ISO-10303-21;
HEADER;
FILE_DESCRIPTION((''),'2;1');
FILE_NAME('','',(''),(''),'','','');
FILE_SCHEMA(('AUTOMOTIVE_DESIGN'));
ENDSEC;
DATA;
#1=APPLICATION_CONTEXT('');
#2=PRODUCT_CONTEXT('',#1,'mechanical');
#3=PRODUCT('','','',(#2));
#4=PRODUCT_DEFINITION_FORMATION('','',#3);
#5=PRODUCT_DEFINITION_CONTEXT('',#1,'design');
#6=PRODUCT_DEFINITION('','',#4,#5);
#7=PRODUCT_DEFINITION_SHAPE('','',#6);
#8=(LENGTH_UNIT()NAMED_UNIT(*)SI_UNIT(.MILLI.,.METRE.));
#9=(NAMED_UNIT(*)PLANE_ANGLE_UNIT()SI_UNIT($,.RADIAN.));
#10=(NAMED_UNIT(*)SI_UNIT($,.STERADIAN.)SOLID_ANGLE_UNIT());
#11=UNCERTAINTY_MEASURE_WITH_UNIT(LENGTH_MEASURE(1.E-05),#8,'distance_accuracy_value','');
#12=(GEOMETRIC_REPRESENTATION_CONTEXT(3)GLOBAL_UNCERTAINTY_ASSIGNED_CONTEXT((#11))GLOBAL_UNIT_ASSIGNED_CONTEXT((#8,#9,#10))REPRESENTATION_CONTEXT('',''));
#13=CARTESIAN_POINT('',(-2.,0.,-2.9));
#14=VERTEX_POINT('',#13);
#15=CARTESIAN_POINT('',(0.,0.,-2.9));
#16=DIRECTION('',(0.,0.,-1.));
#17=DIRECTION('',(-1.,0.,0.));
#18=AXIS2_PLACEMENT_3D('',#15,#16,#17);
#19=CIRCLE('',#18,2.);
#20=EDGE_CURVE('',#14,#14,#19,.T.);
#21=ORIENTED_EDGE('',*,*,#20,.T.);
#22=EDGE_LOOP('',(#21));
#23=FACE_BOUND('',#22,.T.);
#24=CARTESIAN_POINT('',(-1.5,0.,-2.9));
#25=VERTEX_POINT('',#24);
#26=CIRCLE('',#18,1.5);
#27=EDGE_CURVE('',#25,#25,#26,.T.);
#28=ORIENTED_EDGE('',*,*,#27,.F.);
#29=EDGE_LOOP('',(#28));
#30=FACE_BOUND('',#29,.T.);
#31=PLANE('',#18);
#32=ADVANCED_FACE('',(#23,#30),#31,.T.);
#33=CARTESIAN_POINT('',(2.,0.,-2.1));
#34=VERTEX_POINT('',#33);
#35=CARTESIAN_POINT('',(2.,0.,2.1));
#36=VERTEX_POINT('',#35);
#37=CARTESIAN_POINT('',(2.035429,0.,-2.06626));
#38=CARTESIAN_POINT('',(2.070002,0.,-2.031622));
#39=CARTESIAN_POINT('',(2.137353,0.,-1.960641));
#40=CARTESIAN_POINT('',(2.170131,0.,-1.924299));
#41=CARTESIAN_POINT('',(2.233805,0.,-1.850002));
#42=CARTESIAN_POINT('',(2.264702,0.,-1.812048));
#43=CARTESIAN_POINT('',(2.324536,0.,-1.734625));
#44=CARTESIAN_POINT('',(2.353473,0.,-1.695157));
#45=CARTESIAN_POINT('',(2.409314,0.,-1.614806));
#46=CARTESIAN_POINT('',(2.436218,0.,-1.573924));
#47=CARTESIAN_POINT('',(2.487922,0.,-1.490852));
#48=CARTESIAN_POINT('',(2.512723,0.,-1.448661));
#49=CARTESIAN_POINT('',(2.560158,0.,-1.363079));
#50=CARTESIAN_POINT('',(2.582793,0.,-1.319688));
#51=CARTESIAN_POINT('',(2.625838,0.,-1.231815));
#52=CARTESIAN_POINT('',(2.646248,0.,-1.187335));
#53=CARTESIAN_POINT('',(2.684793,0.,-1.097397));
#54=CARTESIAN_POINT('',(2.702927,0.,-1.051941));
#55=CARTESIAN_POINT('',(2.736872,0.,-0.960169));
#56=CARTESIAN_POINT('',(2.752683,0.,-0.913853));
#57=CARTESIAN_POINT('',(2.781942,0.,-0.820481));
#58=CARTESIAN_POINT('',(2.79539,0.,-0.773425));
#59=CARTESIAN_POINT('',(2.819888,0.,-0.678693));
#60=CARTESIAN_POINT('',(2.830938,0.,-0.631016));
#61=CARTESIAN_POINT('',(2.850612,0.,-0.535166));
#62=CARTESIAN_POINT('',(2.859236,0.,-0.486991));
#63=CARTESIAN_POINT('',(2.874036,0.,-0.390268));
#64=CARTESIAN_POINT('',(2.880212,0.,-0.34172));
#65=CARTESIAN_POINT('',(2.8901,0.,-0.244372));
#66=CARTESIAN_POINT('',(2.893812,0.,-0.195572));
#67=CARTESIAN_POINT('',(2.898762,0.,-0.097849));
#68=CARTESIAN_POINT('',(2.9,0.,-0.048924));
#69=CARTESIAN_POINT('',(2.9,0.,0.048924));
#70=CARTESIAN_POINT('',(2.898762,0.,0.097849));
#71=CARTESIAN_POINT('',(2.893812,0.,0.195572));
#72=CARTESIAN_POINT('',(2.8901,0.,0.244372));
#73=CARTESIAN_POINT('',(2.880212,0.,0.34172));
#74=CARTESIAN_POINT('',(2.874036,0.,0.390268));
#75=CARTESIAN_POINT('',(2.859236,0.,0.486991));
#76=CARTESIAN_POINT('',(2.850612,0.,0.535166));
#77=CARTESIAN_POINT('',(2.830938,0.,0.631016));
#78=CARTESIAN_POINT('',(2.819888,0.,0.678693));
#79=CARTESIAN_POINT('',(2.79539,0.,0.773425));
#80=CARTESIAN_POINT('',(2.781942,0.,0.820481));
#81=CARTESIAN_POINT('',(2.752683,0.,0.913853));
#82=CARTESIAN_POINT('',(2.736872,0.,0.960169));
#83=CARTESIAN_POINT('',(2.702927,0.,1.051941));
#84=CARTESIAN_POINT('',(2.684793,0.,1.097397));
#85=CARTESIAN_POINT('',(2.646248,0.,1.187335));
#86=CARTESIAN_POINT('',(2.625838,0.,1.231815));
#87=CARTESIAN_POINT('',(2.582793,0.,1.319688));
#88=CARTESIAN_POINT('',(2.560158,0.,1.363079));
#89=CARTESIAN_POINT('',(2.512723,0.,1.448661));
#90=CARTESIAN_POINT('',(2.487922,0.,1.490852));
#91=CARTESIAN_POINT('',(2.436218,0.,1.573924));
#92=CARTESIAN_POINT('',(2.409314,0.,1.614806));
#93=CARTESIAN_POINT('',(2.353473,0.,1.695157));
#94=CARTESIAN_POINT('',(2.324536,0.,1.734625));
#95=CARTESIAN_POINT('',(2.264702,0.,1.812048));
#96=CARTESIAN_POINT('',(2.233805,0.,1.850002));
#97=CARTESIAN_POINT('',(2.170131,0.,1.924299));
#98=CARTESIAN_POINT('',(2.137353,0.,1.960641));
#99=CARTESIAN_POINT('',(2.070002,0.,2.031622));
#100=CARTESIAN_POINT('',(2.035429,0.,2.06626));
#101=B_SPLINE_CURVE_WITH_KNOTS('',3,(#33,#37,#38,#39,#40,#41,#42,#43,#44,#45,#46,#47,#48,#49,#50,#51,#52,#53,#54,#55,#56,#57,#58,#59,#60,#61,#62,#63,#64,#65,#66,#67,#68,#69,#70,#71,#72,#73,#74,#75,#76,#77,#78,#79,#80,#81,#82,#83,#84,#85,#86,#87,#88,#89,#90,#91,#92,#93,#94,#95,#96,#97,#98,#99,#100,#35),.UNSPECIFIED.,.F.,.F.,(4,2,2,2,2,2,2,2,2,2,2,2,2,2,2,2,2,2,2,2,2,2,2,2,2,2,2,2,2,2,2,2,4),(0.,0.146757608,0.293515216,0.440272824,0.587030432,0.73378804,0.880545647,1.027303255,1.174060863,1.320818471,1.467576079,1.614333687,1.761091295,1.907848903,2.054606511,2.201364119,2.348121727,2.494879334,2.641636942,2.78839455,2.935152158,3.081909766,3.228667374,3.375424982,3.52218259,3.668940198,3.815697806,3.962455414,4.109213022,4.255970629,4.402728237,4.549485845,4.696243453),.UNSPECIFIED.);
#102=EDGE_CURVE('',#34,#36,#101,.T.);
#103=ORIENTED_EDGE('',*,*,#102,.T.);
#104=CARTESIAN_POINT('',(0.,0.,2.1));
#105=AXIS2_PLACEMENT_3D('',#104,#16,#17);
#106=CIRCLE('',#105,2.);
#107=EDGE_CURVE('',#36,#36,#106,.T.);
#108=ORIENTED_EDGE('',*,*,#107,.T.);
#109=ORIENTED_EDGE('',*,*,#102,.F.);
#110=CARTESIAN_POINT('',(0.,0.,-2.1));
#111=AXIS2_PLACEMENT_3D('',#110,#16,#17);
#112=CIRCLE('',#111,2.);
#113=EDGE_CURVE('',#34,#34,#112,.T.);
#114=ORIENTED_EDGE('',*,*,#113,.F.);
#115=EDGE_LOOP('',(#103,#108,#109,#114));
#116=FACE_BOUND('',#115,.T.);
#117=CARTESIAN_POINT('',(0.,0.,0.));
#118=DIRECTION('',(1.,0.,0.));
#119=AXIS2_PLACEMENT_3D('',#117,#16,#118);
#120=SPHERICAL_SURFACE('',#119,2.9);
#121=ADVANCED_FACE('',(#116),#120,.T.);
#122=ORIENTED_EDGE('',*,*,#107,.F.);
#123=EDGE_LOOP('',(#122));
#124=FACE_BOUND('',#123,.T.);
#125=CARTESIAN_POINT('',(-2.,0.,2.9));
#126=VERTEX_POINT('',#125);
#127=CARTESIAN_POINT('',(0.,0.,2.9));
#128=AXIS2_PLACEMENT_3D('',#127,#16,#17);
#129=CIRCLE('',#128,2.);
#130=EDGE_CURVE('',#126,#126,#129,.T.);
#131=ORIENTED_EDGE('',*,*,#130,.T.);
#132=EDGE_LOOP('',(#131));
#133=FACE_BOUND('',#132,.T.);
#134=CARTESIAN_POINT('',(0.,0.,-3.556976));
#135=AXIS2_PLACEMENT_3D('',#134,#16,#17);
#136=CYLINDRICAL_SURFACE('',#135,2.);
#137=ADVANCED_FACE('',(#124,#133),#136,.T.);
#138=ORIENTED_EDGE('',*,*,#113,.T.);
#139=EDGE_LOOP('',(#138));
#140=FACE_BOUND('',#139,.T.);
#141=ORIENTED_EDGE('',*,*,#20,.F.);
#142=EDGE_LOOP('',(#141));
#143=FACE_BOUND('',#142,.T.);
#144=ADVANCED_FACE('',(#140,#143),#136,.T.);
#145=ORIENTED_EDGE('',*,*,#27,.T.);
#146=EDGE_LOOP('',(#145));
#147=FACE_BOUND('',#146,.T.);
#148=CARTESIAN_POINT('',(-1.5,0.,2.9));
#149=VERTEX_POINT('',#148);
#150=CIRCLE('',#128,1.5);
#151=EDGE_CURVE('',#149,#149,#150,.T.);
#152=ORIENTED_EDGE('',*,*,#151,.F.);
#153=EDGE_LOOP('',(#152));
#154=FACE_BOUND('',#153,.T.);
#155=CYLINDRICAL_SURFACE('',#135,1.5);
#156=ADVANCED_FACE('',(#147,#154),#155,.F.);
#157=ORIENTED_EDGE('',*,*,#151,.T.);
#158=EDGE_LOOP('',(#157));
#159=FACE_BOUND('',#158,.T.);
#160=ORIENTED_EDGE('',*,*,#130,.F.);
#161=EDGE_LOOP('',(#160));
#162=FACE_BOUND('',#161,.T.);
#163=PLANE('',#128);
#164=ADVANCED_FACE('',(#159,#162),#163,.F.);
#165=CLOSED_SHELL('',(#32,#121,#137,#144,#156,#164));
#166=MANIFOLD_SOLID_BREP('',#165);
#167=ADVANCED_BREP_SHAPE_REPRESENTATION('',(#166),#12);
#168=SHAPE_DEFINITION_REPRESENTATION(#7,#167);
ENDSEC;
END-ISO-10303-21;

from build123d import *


with BuildPart() as part:
    # Эскиз1 → Повернуть1 (revolve)
    with BuildSketch(Plane(origin=(0, 0, 0), x_dir=(1, 0, 0), z_dir=(0, 1, 0)), mode=Mode.PRIVATE) as revolve_1_sk:
        with BuildLine():
            Line((2, 2.9), (1.5, 2.9))
            Line((1.5, 2.9), (1.5, 2.481934729))
            ThreePointArc((1.5, 2.481934729), (1.760388745, 2.304567522), (2, 2.1))
            Line((2, 2.1), (2, 2.9))
        make_face()
        with BuildLine():
            ThreePointArc((2, 2.1), (1.760388745, 2.304567522), (1.5, 2.481934729))
            Line((1.5, 2.481934729), (1.5, -2.481934729))
            ThreePointArc((1.5, -2.481934729), (1.760388745, -2.304567522), (2, -2.1))
            Line((2, -2.1), (2, 2.1))
        make_face()
        with BuildLine():
            ThreePointArc((2, -2.1), (1.760388745, -2.304567522), (1.5, -2.481934729))
            Line((1.5, -2.481934729), (1.5, -2.9))
            Line((1.5, -2.9), (2, -2.9))
            Line((2, -2.9), (2, -2.1))
        make_face()
        with BuildLine():
            ThreePointArc((2.9, 0), (2.665520587, 1.142365966), (2, 2.1))
            Line((2, 2.1), (2, -2.1))
            ThreePointArc((2, -2.1), (2.665520587, -1.142365966), (2.9, 0))
        make_face()
    revolve(revolve_1_sk.sketch.rotate(Axis((0, 0, -3.556975885), (0, 0, 1)), 180), axis=Axis((0, 0, -3.556975885), (0, 0, 1)))


solid = part.part
